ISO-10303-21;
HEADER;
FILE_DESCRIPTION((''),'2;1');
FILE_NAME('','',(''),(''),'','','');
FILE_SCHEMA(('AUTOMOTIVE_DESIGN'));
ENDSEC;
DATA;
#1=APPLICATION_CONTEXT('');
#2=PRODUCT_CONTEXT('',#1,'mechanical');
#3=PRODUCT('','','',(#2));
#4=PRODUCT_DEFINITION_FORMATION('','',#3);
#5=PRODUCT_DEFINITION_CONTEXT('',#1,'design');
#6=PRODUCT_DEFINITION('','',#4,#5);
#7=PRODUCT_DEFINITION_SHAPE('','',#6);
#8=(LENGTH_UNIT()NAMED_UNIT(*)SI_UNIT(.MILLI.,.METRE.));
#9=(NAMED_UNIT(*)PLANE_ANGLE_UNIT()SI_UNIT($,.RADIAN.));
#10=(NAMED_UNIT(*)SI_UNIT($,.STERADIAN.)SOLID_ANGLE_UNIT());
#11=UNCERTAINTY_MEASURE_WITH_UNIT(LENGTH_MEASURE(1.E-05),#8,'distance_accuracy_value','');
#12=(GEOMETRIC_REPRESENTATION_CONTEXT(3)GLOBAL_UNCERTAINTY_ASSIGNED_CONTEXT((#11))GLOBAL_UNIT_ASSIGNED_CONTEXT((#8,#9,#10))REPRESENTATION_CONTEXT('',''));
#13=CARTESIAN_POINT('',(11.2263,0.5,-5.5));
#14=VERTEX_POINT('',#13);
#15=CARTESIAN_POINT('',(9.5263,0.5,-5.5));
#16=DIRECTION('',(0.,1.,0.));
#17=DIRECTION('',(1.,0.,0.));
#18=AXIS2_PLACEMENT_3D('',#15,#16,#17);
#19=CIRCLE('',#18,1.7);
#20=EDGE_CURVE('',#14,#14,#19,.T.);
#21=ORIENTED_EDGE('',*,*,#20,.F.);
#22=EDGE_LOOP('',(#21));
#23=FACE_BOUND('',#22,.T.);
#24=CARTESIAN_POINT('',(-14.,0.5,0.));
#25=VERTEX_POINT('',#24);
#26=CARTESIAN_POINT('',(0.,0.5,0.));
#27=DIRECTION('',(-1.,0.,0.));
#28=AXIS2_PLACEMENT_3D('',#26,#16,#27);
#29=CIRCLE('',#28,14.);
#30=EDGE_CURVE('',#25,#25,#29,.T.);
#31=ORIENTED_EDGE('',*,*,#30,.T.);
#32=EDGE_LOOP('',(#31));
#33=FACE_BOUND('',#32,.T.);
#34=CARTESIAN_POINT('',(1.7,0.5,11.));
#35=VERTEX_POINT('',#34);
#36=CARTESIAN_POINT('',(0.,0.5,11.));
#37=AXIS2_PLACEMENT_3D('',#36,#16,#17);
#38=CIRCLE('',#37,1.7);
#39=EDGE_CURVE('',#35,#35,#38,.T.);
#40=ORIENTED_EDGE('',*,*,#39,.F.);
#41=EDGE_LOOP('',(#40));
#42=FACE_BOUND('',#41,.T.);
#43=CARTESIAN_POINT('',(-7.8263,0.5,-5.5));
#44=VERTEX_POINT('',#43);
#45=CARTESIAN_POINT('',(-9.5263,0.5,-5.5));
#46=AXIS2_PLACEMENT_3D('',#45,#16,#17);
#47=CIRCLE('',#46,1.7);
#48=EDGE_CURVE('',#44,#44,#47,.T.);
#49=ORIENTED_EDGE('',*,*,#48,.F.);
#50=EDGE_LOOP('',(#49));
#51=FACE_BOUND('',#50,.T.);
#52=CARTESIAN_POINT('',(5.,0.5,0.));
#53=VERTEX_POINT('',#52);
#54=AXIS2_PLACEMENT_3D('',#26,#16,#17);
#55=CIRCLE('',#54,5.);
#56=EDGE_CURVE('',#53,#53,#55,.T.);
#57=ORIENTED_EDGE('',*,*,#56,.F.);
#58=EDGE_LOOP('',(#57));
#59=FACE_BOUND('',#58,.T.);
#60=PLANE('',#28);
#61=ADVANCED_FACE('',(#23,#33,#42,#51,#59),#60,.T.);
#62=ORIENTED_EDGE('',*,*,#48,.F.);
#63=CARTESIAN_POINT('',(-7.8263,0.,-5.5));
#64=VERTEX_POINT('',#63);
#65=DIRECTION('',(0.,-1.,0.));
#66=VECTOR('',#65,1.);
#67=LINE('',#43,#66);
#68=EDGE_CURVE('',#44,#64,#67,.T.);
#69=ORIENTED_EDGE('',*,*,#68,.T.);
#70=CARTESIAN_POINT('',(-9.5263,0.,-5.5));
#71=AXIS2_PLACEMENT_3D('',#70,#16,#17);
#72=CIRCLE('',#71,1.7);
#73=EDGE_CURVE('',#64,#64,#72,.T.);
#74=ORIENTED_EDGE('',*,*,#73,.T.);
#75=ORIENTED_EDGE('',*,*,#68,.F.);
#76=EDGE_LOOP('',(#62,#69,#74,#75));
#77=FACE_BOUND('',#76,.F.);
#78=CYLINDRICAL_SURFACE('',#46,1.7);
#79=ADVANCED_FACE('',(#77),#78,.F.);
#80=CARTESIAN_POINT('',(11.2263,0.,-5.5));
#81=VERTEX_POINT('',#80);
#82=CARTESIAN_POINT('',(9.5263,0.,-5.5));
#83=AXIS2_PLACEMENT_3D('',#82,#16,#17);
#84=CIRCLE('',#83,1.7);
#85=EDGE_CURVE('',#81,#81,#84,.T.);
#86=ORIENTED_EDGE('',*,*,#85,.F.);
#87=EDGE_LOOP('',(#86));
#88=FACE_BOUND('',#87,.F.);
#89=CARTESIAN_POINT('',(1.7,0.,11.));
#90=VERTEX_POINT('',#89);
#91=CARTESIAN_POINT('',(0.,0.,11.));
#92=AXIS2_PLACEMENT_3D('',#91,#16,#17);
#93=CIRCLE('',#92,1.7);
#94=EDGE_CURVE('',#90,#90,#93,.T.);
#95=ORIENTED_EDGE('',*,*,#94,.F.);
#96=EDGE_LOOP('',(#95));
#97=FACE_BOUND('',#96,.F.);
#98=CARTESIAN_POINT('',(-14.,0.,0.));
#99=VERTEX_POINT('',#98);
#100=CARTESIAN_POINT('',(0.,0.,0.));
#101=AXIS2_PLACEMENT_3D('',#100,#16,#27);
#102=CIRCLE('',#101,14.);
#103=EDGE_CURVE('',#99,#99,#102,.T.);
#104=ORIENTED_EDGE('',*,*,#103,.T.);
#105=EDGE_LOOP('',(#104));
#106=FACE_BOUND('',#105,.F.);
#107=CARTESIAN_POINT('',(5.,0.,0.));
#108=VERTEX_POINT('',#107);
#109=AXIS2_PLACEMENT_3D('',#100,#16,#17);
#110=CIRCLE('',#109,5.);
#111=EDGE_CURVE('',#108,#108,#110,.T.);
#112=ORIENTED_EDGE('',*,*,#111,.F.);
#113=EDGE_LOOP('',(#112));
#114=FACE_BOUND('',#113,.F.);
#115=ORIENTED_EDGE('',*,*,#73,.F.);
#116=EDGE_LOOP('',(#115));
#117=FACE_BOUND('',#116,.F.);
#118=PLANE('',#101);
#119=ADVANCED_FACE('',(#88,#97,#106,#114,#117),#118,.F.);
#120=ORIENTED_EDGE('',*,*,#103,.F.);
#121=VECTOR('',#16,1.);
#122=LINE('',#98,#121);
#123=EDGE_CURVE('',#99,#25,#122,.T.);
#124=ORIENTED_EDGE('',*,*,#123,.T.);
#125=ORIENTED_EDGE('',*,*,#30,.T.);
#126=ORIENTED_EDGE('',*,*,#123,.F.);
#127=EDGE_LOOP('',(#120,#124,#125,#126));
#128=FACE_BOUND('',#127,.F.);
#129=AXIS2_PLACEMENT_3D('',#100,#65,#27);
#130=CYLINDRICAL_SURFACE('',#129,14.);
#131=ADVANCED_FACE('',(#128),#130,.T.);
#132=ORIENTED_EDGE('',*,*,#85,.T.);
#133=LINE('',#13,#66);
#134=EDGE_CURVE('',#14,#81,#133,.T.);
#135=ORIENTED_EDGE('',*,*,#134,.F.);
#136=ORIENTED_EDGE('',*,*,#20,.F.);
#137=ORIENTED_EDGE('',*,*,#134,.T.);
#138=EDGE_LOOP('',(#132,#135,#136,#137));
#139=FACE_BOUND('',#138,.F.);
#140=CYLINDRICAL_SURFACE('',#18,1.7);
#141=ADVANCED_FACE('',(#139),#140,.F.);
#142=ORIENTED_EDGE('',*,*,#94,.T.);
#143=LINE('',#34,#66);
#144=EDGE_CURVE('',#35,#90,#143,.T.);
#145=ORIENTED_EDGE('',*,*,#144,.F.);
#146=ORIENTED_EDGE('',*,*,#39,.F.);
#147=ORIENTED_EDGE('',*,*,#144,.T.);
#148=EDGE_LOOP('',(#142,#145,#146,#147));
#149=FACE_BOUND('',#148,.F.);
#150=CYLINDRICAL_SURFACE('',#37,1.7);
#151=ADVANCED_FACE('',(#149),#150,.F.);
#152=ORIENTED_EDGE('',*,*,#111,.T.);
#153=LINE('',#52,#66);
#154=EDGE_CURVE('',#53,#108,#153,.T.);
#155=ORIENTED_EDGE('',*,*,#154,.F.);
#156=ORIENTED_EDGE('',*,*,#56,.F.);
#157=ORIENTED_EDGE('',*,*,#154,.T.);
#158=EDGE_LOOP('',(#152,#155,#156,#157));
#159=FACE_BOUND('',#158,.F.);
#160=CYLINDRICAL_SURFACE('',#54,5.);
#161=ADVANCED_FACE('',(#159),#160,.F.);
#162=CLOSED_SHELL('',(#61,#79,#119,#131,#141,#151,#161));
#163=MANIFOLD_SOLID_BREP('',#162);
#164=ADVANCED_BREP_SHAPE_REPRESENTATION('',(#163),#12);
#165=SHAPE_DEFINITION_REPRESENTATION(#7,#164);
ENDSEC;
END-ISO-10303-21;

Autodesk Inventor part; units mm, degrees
ref_plane "YZ Plane" through (0, 0, 0) normal (1, 0, 0) x (0, 1, 0)
ref_plane "XZ Plane" through (0, 0, 0) normal (0, 1, 0) x (-1, 0, 0)
ref_plane "XY Plane" through (0, 0, 0) normal (0, 0, 1) x (1, 0, 0)
sketch "スケッチ1" plane through (0, 0, 0) normal (0, 1, 0) x (-1, 0, 0)
  circle A0 centre (0, 0) radius 14
  dimension "d0" = 28
extrude "押し出し1" add sketch "スケッチ1" along normal blind 0.5
sketch "スケッチ2" plane through (0, 0.5, 0) normal (0, 1, 0) x (1, 0, 0)
  circle A0 centre (0, -11) radius 1.7
  circle A1 centre (9.5263, 5.5) radius 1.7
  circle A2 centre (-9.5263, 5.5) radius 1.7
  point P0 (0, 0)
  dimension "d4" = 3.4
  dimension "d12" = 11
  dimension "d15" = 360
extrude "押し出し2" cut sketch "スケッチ2" against normal through all
sketch "スケッチ3" plane through (0, 0.5, 0) normal (0, 1, 0) x (1, 0, 0)
  circle A0 centre (0, 0) radius 5
  dimension "d9" = 10
extrude "押し出し3" cut sketch "スケッチ3" against normal through all
properties part number "B_holder_up_5" material "ステンレス鋼 440C"
